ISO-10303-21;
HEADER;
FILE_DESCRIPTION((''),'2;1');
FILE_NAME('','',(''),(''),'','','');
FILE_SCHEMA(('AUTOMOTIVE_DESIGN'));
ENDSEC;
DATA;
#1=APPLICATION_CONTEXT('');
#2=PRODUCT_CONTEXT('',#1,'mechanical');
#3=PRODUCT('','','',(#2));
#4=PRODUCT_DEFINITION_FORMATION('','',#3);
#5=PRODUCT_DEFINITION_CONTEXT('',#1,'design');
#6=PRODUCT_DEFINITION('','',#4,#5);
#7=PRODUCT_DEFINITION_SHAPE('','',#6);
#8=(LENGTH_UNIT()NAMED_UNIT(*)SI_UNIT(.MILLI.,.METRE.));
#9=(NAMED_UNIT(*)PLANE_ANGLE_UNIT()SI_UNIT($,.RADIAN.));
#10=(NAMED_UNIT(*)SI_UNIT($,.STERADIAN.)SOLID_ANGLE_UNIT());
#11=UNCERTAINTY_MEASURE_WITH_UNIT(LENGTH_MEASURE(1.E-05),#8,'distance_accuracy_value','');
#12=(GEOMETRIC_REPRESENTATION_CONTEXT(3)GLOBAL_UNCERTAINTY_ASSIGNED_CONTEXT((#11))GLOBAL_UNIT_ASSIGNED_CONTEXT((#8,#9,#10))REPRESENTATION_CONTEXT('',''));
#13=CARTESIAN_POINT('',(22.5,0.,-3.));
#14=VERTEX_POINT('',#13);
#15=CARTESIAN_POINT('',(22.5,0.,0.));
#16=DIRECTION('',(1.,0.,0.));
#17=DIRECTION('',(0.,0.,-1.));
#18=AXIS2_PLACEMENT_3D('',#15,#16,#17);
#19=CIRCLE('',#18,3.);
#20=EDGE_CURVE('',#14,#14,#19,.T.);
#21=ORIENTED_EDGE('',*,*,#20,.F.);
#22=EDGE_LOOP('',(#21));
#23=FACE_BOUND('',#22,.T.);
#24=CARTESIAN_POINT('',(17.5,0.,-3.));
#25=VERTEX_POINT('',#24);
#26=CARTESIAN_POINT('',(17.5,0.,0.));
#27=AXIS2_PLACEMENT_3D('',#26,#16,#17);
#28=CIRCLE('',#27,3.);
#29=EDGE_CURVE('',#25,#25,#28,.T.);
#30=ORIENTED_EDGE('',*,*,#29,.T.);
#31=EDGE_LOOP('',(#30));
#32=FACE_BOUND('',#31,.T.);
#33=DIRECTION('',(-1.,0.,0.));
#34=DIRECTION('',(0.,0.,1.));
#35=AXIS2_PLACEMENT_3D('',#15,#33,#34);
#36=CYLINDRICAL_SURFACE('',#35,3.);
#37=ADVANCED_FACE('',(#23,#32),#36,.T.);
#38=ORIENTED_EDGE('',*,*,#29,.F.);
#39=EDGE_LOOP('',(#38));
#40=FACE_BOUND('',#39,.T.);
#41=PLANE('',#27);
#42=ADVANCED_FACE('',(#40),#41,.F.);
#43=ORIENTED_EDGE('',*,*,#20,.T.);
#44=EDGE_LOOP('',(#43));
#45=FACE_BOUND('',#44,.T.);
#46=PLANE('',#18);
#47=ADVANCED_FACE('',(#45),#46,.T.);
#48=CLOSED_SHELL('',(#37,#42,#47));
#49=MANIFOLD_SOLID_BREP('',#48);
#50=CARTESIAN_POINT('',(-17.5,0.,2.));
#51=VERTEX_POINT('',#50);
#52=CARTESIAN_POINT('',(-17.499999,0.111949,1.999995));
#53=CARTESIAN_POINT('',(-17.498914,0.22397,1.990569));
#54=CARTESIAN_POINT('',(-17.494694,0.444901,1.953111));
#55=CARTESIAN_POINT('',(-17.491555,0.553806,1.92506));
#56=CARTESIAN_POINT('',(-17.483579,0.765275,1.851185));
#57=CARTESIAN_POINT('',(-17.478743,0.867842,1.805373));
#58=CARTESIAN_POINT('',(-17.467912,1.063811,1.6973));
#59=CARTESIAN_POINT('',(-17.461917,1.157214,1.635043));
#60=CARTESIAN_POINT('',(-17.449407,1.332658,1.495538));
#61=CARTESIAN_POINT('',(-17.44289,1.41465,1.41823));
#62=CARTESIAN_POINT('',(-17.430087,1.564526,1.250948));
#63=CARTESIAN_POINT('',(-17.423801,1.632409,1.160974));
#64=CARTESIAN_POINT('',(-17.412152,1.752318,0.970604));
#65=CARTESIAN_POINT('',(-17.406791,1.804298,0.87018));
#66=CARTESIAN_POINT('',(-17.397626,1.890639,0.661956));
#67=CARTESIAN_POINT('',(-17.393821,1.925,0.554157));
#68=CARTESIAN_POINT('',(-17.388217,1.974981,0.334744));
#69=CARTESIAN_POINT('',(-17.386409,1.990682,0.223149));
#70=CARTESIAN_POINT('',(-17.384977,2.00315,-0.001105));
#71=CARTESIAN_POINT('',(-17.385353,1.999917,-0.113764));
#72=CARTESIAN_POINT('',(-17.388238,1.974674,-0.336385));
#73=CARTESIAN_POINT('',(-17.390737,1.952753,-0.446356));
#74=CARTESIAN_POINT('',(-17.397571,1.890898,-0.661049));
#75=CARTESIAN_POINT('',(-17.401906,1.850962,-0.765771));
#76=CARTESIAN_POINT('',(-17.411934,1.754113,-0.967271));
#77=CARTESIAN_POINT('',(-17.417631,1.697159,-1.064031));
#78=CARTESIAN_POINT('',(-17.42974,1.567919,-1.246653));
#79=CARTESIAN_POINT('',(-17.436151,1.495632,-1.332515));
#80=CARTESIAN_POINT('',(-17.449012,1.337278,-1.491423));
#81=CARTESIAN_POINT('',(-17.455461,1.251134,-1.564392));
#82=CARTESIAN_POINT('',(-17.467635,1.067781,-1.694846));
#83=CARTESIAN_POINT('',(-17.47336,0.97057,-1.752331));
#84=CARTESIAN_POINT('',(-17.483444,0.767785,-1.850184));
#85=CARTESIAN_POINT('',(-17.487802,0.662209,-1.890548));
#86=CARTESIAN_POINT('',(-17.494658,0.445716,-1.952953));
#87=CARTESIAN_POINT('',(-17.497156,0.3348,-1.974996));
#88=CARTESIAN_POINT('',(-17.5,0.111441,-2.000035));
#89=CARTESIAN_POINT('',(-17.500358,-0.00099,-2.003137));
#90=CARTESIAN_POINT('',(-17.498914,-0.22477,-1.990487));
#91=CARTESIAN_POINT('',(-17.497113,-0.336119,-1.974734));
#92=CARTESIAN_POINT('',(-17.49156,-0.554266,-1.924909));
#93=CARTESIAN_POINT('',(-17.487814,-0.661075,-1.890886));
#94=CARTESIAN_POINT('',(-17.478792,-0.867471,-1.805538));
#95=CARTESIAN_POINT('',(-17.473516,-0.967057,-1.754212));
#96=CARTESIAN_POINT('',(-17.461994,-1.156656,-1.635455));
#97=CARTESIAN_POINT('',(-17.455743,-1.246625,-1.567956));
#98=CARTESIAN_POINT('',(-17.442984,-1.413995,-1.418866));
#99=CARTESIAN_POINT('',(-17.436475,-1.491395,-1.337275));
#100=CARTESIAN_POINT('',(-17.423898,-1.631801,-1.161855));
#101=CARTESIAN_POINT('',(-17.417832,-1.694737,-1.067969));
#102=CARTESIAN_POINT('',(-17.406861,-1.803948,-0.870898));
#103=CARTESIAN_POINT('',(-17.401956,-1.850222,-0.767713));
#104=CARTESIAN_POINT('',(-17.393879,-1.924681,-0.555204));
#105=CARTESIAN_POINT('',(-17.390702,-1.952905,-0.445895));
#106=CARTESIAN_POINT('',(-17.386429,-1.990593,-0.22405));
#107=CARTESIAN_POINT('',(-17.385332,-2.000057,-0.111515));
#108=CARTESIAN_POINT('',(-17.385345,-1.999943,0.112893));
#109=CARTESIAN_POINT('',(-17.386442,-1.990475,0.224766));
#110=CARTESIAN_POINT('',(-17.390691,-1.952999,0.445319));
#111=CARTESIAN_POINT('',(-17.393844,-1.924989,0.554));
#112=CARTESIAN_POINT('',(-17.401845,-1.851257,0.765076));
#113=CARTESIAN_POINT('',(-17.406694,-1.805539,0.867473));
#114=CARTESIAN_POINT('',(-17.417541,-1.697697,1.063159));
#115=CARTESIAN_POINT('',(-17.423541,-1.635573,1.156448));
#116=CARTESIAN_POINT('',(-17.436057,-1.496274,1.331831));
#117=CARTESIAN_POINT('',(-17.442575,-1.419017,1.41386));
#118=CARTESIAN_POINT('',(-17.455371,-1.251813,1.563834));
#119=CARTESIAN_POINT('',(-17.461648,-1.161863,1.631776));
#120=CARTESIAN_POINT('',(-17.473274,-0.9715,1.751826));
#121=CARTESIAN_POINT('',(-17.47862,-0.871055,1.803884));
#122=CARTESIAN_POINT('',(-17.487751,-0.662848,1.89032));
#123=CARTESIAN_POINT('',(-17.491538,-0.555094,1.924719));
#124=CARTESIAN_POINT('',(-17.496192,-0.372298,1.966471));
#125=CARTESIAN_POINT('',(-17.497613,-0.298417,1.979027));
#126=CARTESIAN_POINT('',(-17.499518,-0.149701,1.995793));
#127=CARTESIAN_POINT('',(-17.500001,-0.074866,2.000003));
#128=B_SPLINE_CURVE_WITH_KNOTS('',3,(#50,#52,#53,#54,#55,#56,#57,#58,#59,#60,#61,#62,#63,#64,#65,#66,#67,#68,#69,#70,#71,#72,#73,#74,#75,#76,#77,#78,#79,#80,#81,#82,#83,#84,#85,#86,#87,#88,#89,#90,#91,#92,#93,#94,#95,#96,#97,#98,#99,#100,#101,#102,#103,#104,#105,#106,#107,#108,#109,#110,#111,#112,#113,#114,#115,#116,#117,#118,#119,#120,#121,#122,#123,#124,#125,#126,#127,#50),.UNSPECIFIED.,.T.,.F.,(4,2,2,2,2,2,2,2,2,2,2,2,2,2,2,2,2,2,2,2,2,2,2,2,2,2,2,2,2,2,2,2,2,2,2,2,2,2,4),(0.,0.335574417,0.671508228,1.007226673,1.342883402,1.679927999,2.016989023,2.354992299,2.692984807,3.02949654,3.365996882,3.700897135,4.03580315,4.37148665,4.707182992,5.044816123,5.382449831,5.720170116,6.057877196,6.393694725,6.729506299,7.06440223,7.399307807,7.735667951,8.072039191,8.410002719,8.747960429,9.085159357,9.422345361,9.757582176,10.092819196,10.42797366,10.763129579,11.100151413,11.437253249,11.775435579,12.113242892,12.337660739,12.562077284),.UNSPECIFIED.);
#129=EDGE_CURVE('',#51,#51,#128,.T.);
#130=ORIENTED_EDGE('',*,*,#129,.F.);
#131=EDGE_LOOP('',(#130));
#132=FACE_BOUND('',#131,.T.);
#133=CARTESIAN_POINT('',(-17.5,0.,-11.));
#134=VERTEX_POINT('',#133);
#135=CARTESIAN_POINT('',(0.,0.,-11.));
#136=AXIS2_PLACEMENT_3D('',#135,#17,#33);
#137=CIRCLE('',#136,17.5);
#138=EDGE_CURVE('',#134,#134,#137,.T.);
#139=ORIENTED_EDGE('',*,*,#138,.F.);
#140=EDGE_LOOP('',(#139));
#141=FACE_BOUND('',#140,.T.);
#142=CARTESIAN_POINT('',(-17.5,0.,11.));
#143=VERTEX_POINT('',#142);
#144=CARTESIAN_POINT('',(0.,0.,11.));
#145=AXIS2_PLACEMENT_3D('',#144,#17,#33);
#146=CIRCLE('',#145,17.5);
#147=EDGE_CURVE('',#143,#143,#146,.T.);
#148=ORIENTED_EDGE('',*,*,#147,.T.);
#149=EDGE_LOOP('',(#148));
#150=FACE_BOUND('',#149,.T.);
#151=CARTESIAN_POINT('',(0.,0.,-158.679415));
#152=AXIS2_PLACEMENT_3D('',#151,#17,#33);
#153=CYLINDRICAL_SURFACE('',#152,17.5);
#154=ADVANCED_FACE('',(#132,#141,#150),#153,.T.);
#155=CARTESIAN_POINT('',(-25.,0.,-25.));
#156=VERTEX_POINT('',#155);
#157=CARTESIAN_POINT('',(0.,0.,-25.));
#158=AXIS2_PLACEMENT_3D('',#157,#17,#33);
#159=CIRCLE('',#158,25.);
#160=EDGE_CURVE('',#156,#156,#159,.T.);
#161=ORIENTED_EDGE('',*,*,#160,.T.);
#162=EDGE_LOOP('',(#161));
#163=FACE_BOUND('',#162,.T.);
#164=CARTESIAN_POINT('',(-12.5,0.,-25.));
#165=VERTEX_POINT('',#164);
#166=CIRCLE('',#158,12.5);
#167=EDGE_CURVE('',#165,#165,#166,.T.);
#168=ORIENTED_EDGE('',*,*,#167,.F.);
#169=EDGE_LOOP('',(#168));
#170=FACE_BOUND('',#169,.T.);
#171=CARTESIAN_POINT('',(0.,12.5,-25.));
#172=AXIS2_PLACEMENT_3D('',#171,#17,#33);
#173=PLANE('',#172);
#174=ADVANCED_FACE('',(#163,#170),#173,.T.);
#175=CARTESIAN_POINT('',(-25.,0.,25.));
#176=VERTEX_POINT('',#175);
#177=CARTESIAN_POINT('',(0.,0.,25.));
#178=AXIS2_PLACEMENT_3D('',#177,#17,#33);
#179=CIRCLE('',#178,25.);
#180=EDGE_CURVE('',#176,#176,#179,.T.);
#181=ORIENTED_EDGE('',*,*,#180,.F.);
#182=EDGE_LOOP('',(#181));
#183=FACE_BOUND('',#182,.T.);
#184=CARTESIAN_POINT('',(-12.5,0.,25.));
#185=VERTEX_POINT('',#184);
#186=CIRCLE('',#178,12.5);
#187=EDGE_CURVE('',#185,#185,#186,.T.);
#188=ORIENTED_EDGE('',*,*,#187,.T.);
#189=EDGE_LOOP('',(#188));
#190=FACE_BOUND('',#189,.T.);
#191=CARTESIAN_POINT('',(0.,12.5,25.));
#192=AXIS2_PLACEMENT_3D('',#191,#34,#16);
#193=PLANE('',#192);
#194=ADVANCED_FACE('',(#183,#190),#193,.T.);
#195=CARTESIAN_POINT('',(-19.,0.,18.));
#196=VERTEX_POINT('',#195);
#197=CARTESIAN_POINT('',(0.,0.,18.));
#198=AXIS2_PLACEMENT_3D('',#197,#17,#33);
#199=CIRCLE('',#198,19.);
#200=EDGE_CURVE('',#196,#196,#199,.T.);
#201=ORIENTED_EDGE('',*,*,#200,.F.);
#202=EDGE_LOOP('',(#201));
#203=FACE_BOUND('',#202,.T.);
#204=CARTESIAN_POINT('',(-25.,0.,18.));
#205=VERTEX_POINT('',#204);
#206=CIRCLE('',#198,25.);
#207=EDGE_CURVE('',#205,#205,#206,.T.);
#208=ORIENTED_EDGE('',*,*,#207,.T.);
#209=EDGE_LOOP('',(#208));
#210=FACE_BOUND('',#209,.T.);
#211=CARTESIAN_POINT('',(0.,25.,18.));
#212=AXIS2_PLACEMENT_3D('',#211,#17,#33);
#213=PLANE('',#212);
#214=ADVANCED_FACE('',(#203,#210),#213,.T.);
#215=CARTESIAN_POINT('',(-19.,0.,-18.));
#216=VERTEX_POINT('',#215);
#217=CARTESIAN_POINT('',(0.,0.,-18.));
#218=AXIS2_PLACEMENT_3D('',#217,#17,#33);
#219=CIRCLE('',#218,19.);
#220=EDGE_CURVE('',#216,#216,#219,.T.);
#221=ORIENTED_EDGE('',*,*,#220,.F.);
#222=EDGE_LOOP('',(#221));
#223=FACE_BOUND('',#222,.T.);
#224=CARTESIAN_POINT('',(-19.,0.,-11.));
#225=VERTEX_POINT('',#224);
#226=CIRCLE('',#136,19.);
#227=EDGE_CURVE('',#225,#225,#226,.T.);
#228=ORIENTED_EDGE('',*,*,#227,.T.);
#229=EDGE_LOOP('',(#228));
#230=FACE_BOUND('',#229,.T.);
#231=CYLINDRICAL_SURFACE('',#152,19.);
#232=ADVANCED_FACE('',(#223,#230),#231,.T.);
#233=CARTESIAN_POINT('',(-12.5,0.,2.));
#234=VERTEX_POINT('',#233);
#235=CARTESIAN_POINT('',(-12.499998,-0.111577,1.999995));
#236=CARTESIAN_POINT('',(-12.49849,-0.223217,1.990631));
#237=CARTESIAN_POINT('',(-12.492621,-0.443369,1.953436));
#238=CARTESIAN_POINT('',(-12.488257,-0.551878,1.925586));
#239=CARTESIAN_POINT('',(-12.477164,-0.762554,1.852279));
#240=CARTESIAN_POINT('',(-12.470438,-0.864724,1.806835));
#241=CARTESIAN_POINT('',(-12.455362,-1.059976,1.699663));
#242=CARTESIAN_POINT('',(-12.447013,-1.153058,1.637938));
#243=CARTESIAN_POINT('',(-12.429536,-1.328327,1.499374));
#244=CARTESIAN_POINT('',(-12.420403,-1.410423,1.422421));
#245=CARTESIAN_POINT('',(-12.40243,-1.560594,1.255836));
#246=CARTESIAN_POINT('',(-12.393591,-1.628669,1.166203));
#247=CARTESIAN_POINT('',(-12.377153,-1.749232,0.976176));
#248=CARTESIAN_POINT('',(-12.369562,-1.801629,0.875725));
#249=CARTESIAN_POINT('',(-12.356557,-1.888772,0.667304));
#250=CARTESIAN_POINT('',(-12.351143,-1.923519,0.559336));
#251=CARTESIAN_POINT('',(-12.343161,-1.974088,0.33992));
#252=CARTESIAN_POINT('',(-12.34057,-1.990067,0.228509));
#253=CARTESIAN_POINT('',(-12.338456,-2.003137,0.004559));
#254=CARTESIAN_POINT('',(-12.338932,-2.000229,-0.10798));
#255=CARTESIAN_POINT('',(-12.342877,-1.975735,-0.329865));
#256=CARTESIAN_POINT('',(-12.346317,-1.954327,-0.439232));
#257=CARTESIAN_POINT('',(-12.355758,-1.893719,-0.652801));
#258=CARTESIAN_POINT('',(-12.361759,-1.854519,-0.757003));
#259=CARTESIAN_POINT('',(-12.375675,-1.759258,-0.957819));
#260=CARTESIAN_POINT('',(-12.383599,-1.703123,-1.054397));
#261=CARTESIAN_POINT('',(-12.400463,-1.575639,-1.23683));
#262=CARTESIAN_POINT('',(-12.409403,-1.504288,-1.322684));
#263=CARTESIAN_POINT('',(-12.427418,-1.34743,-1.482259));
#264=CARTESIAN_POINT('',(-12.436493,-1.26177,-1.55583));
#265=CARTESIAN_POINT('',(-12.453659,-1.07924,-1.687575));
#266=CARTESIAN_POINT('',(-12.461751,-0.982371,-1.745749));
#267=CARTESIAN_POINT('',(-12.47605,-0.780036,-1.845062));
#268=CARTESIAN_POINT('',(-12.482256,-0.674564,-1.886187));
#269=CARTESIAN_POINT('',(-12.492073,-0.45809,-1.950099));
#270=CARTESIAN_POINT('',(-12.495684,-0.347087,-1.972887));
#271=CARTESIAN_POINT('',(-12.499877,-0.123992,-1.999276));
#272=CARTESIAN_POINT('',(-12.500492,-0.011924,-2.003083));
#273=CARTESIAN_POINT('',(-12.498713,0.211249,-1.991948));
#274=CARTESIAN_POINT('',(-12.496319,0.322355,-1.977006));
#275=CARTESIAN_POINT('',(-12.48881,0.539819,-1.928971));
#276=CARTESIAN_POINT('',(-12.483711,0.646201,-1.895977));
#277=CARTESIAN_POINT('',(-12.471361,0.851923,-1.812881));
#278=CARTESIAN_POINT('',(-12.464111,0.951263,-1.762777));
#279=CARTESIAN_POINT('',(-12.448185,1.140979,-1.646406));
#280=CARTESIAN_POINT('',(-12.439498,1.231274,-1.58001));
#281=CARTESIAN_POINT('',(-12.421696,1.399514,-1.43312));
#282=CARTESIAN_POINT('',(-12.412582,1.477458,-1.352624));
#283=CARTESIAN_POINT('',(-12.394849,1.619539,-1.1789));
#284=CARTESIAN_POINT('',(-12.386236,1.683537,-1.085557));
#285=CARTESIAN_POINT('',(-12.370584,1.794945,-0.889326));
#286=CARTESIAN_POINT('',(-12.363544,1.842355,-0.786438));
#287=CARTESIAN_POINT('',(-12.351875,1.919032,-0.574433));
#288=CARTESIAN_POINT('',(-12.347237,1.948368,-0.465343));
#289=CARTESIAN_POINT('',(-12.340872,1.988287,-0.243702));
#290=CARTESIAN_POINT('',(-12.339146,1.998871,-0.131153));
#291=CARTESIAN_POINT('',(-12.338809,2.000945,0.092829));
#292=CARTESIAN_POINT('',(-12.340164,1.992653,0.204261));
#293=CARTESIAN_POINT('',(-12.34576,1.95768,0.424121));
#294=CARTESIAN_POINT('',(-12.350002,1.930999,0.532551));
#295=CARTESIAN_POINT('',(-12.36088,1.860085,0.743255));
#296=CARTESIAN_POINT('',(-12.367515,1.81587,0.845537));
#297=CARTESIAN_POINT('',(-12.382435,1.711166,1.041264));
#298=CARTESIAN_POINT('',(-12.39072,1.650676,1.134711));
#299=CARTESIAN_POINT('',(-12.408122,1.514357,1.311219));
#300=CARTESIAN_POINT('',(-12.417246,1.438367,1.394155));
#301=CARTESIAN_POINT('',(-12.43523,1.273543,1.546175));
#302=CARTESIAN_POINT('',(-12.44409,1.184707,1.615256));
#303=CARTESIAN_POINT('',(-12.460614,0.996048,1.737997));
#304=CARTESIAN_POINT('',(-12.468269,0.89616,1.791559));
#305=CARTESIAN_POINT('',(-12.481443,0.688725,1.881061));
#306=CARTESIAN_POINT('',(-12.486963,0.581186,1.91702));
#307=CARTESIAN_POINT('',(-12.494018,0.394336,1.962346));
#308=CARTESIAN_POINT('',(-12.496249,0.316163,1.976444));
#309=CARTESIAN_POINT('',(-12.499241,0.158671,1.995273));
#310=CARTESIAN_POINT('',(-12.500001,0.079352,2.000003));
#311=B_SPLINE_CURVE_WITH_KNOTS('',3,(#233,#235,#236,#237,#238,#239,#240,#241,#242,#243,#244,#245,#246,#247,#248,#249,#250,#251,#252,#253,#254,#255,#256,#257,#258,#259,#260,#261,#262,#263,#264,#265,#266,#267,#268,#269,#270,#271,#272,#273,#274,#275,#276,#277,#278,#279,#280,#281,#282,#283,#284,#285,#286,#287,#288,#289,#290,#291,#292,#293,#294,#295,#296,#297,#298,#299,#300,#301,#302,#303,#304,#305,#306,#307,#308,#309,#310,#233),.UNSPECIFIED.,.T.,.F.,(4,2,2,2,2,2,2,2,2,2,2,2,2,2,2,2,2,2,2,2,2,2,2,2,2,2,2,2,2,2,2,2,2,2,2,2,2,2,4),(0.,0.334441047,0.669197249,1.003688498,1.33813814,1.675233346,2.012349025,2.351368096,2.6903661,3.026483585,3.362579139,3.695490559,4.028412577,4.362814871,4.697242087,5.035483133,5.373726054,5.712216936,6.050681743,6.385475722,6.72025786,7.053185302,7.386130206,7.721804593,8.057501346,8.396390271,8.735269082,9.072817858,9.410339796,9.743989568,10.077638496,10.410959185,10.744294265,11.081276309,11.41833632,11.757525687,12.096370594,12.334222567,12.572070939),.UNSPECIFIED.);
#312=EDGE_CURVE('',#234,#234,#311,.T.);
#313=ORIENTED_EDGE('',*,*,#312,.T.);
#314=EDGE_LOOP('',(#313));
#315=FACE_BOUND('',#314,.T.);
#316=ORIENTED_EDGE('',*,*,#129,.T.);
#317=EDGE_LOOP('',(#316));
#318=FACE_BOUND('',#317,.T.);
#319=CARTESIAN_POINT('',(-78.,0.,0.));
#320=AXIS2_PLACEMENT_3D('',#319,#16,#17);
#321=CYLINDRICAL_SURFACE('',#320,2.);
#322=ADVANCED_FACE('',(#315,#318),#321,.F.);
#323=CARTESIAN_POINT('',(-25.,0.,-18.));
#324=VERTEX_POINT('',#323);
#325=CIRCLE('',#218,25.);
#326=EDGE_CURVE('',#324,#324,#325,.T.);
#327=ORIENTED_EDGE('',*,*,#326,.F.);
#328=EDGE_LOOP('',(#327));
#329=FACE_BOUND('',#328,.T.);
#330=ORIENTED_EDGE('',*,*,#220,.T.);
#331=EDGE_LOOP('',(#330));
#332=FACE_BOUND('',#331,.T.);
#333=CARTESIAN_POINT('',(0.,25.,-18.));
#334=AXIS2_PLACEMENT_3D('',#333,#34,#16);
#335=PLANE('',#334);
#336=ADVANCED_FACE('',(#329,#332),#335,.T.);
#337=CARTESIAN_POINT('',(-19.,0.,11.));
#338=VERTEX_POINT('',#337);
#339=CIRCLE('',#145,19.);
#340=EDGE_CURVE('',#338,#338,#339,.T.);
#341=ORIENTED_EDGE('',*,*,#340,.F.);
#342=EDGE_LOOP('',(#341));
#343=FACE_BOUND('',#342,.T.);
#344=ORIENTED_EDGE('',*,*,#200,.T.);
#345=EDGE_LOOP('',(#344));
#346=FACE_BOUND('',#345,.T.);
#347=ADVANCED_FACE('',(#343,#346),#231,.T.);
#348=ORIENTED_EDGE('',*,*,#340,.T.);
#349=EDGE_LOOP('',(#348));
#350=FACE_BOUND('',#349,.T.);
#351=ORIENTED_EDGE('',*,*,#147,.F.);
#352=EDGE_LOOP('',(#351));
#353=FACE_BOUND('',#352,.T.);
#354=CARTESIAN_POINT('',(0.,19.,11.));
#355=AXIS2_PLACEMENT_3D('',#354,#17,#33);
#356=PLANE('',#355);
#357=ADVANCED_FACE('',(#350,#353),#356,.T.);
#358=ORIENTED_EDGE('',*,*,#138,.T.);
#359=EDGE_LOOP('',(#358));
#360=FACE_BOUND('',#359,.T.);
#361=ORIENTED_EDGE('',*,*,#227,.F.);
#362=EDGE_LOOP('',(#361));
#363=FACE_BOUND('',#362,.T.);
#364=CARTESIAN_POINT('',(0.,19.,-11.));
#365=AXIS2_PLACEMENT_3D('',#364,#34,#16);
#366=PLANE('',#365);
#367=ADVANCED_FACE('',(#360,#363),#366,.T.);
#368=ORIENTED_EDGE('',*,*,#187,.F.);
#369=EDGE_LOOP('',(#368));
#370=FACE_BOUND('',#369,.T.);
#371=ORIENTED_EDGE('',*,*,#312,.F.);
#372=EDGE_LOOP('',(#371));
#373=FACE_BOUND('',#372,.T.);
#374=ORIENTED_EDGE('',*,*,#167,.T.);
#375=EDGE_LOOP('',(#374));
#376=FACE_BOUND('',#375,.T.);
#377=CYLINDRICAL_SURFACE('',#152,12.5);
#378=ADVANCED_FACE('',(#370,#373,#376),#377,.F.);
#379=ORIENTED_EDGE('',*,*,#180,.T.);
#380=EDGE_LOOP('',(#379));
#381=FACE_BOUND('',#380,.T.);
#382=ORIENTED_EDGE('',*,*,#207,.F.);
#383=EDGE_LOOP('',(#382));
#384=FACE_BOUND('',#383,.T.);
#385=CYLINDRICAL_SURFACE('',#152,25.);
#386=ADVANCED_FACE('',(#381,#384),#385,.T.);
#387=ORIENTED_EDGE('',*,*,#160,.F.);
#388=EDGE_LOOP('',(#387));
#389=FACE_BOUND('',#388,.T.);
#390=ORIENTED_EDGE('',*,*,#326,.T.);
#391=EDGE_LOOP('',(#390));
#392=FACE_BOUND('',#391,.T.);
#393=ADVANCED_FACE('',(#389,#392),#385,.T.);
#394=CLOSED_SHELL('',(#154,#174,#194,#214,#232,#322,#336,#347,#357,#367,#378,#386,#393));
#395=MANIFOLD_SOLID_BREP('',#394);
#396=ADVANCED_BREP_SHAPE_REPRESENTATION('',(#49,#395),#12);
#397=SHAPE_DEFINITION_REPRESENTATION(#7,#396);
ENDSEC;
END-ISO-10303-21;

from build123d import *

# Parameters (mm, degrees)
SKETCH2_R           = 2
CUT_EXTRUDE2_DEPTH  = 78
SKETCH3_R           = 3
BOSS_EXTRUDE1_DEPTH = 5


with BuildPart() as part:
    # Sketch1 → Revolve1 (revolve)
    with BuildSketch(Plane(origin=(0, 0, 0), x_dir=(0, 0, -1), z_dir=(1, 0, 0)), mode=Mode.PRIVATE) as revolve1_sk:
        Polygon((-11, 19), (-11, 17.5), (11, 17.5), (11, 19), (18, 19), (18, 25), (25, 25), (25, 12.5), (-25, 12.5), (-25, 25), (-18, 25), (-18, 19), align=None)
    revolve(revolve1_sk.sketch.rotate(Axis((0, 0, -158.679414735), (0, 0, 1)), 90), axis=Axis((0, 0, -158.679414735), (0, 0, 1)))

    # Sketch2 → Cut-Extrude2 (cut)
    with BuildSketch(Plane(origin=(0, 0, 0), x_dir=(0, 0, -1), z_dir=(1, 0, 0))):
        Circle(SKETCH2_R)
    extrude(amount=-CUT_EXTRUDE2_DEPTH, mode=Mode.SUBTRACT)


with BuildPart() as body_2:
    # Sketch3 → Boss-Extrude1 (new body)
    with BuildSketch(Plane(origin=(17.5, 0, 0), x_dir=(0, 0, -1), z_dir=(1, 0, 0))):
        Circle(SKETCH3_R)
    extrude(amount=BOSS_EXTRUDE1_DEPTH)


solid = Compound([part.part, body_2.part])
